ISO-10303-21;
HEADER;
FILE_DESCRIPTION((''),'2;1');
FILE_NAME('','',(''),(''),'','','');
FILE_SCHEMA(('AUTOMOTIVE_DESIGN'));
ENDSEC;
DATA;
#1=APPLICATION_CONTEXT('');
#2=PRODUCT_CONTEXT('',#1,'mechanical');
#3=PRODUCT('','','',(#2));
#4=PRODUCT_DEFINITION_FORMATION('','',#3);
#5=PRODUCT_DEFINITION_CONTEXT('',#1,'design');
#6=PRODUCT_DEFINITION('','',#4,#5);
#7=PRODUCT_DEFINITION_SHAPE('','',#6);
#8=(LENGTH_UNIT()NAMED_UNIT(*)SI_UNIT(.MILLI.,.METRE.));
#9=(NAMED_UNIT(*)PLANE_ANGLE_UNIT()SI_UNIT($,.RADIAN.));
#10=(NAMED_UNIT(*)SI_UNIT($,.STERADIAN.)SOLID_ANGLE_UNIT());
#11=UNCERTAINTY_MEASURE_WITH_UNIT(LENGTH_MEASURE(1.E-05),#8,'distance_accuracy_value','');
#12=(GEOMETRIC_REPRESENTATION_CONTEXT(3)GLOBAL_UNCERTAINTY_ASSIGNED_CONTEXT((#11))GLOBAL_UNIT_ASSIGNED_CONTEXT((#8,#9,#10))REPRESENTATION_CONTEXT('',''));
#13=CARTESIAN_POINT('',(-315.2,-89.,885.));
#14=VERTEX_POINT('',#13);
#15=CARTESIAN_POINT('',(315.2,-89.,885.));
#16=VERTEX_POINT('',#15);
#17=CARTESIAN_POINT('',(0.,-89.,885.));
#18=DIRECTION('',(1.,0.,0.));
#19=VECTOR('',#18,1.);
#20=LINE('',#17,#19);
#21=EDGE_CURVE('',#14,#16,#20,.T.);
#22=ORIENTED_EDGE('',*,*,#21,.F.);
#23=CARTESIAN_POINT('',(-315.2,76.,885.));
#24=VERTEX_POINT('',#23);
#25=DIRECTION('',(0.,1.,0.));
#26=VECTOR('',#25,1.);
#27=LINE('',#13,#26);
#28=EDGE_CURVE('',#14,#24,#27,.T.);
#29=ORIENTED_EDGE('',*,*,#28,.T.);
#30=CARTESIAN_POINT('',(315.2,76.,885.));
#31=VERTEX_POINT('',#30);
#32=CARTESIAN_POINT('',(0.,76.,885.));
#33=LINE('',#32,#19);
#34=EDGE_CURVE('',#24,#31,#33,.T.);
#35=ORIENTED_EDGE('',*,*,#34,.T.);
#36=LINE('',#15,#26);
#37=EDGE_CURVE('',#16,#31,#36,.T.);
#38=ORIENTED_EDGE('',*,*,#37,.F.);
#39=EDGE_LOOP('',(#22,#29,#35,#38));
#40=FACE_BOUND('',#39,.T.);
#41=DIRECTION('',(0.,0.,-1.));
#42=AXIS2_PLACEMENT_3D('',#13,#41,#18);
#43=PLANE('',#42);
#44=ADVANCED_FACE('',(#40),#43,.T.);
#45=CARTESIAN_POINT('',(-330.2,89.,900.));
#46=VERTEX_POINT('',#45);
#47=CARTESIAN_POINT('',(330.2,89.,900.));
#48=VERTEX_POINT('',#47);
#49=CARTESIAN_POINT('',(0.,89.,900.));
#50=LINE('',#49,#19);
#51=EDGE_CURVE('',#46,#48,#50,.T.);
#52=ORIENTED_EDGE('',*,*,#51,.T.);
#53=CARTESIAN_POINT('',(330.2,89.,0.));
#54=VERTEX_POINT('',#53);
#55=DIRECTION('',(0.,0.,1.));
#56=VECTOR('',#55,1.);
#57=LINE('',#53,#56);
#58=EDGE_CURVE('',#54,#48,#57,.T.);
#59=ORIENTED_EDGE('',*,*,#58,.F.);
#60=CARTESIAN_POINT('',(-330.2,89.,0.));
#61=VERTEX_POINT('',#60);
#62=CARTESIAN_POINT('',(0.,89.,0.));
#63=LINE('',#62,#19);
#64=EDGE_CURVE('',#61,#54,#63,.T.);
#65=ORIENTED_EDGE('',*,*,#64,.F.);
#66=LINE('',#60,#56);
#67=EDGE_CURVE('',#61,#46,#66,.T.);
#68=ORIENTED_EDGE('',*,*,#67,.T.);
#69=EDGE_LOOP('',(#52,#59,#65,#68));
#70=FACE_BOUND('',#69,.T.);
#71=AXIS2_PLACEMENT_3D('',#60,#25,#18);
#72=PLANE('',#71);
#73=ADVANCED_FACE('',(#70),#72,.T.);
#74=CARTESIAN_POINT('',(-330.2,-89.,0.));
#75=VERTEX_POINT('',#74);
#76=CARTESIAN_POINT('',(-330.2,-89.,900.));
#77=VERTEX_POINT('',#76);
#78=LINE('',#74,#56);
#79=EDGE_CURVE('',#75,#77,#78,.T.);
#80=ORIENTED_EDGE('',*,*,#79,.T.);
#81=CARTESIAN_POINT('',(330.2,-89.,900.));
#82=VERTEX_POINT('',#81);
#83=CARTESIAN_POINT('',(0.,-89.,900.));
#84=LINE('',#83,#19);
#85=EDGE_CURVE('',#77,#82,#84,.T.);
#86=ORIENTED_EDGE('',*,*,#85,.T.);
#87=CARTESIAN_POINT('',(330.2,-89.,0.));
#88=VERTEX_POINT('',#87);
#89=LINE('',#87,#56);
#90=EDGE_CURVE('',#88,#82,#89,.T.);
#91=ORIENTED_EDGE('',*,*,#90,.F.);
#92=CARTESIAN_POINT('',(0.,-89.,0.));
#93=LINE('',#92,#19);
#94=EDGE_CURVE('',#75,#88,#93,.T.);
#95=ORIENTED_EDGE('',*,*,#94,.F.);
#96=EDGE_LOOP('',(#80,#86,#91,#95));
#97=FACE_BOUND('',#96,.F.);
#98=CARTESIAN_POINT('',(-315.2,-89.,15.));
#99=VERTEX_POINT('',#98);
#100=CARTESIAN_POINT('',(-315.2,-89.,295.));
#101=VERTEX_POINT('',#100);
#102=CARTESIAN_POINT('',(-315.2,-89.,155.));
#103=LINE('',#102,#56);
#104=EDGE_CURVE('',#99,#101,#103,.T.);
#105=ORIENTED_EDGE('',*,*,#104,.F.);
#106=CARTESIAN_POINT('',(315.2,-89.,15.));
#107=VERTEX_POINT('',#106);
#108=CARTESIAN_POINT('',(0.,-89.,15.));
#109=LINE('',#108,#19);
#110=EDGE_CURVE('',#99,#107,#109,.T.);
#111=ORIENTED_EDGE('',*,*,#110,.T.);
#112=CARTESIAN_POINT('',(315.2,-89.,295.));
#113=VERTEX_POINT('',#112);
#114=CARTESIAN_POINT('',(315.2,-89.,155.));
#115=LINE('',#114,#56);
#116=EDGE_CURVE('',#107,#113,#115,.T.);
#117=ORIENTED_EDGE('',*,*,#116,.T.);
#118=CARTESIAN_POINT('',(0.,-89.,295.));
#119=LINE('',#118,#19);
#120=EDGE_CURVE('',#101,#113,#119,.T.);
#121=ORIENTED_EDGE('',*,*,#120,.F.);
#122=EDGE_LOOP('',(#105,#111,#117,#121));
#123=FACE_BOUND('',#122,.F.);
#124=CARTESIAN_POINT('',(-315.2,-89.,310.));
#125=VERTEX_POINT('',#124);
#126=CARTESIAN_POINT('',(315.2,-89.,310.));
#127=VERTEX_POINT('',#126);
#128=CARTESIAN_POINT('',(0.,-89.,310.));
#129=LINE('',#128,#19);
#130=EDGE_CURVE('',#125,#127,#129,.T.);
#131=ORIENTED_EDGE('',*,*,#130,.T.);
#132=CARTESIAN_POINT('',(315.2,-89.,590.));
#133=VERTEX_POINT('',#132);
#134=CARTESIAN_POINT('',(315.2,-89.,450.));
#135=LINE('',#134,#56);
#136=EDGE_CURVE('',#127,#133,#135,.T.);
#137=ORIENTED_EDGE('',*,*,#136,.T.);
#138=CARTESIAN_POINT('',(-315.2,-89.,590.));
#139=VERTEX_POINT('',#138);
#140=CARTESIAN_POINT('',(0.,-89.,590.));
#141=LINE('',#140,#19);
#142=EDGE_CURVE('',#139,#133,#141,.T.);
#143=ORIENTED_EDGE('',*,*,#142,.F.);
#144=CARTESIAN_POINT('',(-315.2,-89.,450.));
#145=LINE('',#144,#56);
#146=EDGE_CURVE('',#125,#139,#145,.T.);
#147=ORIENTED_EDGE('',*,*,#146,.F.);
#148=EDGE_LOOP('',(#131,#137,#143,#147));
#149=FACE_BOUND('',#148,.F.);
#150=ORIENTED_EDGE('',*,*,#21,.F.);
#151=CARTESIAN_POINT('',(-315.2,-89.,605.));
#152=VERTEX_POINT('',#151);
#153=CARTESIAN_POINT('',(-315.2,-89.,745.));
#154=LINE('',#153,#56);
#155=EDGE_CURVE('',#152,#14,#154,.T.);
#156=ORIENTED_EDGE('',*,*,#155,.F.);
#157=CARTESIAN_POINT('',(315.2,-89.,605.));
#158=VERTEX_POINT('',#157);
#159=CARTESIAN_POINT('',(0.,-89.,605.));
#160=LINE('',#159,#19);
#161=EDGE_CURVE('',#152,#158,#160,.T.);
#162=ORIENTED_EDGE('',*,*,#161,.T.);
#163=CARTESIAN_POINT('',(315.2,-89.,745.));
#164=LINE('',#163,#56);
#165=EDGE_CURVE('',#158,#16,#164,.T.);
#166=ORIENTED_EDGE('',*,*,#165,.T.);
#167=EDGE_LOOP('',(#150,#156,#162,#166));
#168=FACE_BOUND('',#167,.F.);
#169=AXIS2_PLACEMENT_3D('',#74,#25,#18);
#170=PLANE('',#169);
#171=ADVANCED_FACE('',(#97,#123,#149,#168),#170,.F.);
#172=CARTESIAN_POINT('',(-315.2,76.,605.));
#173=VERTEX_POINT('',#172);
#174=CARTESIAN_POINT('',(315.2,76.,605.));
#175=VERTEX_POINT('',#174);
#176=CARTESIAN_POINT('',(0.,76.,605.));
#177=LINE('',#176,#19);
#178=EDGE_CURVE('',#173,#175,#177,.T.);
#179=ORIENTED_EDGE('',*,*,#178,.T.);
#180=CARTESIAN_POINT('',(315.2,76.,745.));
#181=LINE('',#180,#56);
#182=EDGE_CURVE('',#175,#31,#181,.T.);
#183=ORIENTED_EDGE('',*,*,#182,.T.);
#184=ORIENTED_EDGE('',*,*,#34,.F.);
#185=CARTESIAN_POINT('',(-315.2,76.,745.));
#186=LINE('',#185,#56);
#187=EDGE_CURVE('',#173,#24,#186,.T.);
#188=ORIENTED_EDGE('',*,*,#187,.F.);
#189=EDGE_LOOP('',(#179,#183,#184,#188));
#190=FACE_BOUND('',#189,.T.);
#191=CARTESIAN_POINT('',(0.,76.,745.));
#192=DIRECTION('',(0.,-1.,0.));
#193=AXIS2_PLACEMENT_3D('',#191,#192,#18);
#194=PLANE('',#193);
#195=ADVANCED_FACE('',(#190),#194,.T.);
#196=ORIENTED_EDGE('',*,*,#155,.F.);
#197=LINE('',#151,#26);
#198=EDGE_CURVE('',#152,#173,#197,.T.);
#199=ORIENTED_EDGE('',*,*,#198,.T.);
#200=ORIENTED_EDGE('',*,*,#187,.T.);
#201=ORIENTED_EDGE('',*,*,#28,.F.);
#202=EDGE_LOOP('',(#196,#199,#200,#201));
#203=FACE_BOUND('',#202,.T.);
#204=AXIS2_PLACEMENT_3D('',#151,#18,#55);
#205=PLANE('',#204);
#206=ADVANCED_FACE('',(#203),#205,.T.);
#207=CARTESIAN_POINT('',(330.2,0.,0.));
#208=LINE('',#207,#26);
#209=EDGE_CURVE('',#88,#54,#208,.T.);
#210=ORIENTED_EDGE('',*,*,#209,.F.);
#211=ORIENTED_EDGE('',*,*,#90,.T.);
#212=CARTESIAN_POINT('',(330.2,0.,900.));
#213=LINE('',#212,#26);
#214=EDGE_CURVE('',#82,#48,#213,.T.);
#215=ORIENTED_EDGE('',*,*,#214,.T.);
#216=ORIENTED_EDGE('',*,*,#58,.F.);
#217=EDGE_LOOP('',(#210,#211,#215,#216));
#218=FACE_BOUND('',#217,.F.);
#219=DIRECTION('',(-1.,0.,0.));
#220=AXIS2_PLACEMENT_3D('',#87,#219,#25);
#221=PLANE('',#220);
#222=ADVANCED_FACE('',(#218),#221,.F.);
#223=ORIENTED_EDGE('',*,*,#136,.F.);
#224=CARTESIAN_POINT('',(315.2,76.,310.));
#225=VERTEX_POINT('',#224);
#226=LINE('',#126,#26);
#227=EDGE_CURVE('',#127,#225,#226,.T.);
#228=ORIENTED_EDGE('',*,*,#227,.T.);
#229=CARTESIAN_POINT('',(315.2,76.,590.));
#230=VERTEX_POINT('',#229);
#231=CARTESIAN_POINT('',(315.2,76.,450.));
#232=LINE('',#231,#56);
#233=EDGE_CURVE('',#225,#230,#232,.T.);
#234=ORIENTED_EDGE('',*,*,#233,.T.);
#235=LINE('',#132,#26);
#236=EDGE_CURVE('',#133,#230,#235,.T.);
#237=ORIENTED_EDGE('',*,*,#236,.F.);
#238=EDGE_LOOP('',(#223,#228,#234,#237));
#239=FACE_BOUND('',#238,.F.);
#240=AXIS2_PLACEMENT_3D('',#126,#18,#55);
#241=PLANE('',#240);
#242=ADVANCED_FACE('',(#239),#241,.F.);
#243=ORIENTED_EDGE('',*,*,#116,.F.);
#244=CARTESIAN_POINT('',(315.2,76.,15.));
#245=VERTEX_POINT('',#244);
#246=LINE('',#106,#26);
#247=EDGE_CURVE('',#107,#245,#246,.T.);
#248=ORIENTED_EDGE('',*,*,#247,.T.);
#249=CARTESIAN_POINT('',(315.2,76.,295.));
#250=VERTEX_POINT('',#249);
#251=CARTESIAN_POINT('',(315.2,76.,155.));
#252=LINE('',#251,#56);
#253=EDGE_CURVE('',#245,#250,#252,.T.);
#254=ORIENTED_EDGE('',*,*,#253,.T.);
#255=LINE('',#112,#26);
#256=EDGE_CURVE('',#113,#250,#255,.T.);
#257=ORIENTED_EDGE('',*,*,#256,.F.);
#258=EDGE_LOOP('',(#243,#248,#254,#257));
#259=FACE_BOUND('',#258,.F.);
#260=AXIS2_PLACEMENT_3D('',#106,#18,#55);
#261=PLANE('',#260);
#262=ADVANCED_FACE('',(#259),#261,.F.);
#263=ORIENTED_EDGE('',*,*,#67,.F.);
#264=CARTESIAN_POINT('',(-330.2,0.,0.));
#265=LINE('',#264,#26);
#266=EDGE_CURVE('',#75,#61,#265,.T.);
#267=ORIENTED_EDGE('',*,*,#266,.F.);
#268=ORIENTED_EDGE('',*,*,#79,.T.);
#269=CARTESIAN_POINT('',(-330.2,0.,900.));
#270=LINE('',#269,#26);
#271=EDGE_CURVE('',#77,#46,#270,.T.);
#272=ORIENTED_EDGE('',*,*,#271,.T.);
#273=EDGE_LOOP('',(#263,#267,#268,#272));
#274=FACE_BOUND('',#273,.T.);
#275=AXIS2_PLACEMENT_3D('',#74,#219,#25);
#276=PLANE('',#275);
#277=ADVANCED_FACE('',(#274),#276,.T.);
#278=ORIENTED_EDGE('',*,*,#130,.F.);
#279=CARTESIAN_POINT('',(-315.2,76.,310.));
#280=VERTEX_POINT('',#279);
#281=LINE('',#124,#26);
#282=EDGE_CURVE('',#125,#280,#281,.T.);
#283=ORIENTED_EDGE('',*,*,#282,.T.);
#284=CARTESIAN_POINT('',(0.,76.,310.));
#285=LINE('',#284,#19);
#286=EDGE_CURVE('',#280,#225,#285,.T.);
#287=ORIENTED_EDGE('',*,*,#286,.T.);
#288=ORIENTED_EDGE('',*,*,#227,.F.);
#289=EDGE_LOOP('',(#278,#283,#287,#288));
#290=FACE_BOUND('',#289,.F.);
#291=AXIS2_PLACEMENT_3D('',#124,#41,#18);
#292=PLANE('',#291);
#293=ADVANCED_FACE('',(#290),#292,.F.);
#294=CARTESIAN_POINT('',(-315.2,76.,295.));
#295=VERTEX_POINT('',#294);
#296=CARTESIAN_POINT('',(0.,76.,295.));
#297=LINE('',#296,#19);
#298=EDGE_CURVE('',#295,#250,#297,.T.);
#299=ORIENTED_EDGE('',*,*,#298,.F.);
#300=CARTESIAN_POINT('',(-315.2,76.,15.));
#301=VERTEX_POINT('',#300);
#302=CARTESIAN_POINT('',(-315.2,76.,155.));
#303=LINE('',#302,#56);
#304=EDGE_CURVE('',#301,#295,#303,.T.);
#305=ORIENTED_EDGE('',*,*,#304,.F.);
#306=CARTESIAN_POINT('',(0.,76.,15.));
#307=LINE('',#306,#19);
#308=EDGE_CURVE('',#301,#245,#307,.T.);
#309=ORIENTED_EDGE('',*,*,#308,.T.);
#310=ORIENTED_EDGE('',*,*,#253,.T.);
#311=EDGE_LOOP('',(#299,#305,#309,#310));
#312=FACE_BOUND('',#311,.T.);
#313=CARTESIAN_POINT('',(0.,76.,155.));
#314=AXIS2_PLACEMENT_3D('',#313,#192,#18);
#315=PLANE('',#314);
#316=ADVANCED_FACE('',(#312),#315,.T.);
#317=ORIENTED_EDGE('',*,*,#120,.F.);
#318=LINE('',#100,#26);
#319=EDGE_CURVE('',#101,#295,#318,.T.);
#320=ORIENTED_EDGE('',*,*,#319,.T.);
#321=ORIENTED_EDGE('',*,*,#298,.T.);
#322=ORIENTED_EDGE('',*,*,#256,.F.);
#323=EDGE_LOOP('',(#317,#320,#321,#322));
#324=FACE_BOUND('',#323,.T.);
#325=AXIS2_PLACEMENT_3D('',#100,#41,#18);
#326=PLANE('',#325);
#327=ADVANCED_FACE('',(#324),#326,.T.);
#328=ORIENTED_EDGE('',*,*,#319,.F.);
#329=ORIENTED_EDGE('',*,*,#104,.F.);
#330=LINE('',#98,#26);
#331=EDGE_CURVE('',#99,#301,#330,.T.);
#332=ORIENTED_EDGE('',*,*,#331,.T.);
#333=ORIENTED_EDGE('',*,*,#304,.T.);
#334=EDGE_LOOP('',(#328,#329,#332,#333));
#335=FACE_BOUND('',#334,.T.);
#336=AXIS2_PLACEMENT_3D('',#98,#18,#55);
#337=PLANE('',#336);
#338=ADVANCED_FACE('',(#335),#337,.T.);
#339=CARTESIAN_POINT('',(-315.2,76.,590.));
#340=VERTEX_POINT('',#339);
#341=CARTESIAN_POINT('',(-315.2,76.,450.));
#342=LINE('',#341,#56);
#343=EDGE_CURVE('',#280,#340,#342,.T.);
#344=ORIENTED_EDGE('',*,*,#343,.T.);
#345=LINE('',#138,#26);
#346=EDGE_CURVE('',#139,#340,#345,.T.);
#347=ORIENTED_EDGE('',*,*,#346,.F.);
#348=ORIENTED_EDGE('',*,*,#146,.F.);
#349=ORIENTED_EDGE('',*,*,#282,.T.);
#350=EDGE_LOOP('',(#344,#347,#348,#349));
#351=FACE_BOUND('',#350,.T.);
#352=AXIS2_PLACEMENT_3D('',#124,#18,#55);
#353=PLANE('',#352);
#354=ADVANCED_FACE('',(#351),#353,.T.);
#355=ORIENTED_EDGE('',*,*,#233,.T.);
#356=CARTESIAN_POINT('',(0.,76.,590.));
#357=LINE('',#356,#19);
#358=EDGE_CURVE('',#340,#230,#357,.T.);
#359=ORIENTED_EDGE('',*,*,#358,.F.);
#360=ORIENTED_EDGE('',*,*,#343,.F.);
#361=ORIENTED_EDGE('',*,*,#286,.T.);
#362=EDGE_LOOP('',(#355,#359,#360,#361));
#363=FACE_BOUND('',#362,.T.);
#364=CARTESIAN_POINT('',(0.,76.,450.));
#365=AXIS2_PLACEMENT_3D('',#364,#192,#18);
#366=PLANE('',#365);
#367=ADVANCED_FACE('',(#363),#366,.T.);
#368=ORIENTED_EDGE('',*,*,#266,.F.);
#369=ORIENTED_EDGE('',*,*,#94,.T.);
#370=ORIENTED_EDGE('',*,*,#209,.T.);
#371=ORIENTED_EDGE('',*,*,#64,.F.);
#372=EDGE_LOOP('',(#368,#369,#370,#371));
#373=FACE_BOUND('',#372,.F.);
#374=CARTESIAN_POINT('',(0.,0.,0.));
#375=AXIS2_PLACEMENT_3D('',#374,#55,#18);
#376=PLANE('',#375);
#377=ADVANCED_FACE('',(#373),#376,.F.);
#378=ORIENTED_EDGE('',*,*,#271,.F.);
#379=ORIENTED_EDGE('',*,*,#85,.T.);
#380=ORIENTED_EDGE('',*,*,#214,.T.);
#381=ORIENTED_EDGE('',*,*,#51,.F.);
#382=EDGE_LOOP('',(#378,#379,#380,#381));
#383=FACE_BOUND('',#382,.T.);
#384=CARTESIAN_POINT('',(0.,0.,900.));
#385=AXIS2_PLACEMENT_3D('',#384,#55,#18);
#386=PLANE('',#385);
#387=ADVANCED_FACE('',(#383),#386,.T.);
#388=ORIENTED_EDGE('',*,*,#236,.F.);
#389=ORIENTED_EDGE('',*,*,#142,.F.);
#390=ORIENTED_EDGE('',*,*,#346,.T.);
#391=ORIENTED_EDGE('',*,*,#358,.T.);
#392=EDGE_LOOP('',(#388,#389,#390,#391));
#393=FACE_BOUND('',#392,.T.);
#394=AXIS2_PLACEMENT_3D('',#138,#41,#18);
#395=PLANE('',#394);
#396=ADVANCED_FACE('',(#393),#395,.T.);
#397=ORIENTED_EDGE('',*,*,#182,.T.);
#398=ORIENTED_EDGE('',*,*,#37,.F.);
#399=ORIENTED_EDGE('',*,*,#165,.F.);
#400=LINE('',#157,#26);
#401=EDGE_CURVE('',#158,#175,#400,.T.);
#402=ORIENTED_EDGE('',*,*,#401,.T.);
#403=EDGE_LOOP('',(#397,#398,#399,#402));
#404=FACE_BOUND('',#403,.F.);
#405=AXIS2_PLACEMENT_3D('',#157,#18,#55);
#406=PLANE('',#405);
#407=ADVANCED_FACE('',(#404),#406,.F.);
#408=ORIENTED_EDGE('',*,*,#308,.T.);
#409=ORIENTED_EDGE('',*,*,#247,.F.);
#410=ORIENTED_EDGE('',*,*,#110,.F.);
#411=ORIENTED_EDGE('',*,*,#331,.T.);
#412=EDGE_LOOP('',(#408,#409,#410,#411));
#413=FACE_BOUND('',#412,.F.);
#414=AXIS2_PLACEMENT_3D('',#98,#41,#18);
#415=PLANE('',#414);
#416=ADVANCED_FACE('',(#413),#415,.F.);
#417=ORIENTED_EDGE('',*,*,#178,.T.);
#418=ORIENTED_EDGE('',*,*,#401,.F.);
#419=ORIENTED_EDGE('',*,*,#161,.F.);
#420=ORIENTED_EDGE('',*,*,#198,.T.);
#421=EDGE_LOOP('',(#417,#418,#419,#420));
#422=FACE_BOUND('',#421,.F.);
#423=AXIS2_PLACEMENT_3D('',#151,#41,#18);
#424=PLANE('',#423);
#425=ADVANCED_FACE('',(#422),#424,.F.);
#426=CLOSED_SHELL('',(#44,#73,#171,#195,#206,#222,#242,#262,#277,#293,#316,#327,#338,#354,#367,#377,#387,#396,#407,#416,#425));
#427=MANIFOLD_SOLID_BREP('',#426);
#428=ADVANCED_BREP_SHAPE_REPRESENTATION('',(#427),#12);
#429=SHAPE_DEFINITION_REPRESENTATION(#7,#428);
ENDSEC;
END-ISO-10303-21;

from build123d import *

# Parameters (mm, degrees)
F0_W     = 660.4
F0_H     = 178
F1_DEPTH = 900
F2_W     = 630.4
F2_H     = 280
F3_DEPTH = 165


with BuildPart() as f1:
    # F0 (on Top) → F1 (new body)
    with BuildSketch(Plane.XY):
        Rectangle(F0_W, F0_H)
    extrude(amount=F1_DEPTH)

    # F2 (on face) → F3 (cut)
    with BuildSketch(Plane.XZ.offset(89)):
        with Locations((0, 745)):
            Rectangle(F2_W, F2_H)
        with Locations((0, 450)):
            Rectangle(F2_W, F2_H)
        with Locations((0, 155)):
            Rectangle(F2_W, F2_H)
    extrude(amount=-F3_DEPTH, mode=Mode.SUBTRACT)


solid = f1.part
